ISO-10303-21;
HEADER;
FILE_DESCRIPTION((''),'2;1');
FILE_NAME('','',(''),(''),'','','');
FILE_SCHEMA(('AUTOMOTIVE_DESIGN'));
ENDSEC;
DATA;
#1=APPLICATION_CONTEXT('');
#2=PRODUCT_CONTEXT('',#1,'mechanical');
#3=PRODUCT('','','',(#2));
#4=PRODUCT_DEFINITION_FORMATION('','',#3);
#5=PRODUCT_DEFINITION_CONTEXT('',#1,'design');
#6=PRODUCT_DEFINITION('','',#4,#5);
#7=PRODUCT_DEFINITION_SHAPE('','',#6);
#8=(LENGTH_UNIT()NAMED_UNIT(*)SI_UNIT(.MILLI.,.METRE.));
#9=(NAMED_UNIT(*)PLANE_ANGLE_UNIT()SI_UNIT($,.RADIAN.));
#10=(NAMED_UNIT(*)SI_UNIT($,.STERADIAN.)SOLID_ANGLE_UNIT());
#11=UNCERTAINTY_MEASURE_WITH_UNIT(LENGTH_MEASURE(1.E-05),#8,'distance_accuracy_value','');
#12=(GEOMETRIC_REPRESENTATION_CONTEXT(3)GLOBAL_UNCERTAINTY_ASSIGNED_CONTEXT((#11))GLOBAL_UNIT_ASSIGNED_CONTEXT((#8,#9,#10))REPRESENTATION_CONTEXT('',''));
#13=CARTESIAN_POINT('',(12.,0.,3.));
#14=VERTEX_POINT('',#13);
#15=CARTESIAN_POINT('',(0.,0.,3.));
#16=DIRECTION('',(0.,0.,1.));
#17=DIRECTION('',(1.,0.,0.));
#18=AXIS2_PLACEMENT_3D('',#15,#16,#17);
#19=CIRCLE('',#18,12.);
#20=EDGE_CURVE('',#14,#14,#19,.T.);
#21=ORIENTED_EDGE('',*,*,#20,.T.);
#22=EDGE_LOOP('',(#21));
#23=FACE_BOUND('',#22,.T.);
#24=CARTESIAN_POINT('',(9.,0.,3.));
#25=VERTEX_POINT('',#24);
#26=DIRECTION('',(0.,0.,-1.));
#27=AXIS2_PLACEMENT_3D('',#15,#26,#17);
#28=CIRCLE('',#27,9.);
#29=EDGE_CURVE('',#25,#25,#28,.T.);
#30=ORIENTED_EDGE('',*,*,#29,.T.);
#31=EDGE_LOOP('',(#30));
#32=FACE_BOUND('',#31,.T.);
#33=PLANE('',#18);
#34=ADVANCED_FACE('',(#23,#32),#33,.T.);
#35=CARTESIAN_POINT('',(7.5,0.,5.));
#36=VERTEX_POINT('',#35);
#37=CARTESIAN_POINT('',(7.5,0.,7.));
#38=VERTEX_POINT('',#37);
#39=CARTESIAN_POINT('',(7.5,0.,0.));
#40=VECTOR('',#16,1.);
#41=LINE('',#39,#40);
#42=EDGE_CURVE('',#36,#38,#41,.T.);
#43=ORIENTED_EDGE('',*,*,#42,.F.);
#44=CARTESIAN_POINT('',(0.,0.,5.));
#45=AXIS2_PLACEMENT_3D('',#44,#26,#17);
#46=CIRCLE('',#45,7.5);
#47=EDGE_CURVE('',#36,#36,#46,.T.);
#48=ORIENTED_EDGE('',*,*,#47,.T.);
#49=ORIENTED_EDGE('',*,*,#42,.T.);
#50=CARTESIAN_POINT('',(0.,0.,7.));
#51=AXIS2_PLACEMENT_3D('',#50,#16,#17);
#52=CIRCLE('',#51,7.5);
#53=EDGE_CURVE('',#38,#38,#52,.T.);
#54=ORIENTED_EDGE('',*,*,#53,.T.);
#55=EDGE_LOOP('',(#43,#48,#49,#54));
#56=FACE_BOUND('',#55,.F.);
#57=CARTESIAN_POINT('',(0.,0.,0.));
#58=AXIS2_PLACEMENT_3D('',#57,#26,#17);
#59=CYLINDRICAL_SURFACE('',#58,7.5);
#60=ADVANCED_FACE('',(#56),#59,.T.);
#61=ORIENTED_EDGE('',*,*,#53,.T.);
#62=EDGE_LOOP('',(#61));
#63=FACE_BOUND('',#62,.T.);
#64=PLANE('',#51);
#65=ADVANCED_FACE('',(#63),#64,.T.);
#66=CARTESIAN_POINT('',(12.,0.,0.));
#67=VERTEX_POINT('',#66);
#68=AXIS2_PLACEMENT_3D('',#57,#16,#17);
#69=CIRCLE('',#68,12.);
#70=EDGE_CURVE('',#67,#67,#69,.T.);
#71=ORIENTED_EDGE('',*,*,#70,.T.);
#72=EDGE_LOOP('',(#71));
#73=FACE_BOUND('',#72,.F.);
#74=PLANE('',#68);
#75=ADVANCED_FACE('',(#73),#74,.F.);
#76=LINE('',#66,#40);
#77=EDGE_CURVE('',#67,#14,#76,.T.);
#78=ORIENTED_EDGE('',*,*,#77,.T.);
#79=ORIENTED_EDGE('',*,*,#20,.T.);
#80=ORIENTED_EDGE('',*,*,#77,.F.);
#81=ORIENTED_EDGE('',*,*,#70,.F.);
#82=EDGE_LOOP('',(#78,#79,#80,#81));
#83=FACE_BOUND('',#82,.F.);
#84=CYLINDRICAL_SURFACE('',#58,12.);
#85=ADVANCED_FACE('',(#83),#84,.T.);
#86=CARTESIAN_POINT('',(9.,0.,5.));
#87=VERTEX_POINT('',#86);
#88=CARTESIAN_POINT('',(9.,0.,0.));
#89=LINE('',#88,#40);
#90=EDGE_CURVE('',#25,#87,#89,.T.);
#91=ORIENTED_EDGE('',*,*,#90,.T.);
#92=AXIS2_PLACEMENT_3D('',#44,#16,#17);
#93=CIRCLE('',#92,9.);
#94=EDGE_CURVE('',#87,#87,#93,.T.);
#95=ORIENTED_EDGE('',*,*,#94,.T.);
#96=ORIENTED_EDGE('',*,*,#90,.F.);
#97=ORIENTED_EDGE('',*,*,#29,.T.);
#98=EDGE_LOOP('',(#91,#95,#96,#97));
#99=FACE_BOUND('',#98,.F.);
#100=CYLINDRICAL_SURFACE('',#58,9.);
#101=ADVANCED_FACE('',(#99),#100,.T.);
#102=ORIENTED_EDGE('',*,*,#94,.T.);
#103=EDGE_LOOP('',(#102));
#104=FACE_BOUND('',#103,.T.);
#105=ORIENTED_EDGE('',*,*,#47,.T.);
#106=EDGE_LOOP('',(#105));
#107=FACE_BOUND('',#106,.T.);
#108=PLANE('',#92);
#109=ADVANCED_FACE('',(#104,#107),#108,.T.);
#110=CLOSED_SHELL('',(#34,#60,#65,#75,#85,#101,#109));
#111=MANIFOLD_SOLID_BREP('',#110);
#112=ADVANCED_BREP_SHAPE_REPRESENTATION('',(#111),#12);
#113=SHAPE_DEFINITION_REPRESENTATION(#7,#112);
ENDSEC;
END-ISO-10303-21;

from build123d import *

# Parameters (mm, degrees)
SKETCH001_R      = 9
EXTRUDE001_DEPTH = 5
SKETCH004_R      = 12
EXTRUDE004_DEPTH = 3
SKETCH_R         = 7.5
EXTRUDE_DEPTH    = 7


with BuildPart() as extrude001:
    # Sketch001 → Extrude001 (new body)
    with BuildSketch(Plane.XY):
        Circle(SKETCH001_R)
    extrude(amount=EXTRUDE001_DEPTH)


with BuildPart() as extrude004:
    # Sketch004 → Extrude004 (new body)
    with BuildSketch(Plane.XY):
        Circle(SKETCH004_R)
    extrude(amount=EXTRUDE004_DEPTH)


with BuildPart() as fusion:
    # Sketch → Extrude (new body)
    with BuildSketch(Plane.XY):
        Circle(SKETCH_R)
    extrude(amount=EXTRUDE_DEPTH)

    # Fusion: union Extrude001, Extrude004
    add(extrude001.part)
    add(extrude004.part)


solid = fusion.part
